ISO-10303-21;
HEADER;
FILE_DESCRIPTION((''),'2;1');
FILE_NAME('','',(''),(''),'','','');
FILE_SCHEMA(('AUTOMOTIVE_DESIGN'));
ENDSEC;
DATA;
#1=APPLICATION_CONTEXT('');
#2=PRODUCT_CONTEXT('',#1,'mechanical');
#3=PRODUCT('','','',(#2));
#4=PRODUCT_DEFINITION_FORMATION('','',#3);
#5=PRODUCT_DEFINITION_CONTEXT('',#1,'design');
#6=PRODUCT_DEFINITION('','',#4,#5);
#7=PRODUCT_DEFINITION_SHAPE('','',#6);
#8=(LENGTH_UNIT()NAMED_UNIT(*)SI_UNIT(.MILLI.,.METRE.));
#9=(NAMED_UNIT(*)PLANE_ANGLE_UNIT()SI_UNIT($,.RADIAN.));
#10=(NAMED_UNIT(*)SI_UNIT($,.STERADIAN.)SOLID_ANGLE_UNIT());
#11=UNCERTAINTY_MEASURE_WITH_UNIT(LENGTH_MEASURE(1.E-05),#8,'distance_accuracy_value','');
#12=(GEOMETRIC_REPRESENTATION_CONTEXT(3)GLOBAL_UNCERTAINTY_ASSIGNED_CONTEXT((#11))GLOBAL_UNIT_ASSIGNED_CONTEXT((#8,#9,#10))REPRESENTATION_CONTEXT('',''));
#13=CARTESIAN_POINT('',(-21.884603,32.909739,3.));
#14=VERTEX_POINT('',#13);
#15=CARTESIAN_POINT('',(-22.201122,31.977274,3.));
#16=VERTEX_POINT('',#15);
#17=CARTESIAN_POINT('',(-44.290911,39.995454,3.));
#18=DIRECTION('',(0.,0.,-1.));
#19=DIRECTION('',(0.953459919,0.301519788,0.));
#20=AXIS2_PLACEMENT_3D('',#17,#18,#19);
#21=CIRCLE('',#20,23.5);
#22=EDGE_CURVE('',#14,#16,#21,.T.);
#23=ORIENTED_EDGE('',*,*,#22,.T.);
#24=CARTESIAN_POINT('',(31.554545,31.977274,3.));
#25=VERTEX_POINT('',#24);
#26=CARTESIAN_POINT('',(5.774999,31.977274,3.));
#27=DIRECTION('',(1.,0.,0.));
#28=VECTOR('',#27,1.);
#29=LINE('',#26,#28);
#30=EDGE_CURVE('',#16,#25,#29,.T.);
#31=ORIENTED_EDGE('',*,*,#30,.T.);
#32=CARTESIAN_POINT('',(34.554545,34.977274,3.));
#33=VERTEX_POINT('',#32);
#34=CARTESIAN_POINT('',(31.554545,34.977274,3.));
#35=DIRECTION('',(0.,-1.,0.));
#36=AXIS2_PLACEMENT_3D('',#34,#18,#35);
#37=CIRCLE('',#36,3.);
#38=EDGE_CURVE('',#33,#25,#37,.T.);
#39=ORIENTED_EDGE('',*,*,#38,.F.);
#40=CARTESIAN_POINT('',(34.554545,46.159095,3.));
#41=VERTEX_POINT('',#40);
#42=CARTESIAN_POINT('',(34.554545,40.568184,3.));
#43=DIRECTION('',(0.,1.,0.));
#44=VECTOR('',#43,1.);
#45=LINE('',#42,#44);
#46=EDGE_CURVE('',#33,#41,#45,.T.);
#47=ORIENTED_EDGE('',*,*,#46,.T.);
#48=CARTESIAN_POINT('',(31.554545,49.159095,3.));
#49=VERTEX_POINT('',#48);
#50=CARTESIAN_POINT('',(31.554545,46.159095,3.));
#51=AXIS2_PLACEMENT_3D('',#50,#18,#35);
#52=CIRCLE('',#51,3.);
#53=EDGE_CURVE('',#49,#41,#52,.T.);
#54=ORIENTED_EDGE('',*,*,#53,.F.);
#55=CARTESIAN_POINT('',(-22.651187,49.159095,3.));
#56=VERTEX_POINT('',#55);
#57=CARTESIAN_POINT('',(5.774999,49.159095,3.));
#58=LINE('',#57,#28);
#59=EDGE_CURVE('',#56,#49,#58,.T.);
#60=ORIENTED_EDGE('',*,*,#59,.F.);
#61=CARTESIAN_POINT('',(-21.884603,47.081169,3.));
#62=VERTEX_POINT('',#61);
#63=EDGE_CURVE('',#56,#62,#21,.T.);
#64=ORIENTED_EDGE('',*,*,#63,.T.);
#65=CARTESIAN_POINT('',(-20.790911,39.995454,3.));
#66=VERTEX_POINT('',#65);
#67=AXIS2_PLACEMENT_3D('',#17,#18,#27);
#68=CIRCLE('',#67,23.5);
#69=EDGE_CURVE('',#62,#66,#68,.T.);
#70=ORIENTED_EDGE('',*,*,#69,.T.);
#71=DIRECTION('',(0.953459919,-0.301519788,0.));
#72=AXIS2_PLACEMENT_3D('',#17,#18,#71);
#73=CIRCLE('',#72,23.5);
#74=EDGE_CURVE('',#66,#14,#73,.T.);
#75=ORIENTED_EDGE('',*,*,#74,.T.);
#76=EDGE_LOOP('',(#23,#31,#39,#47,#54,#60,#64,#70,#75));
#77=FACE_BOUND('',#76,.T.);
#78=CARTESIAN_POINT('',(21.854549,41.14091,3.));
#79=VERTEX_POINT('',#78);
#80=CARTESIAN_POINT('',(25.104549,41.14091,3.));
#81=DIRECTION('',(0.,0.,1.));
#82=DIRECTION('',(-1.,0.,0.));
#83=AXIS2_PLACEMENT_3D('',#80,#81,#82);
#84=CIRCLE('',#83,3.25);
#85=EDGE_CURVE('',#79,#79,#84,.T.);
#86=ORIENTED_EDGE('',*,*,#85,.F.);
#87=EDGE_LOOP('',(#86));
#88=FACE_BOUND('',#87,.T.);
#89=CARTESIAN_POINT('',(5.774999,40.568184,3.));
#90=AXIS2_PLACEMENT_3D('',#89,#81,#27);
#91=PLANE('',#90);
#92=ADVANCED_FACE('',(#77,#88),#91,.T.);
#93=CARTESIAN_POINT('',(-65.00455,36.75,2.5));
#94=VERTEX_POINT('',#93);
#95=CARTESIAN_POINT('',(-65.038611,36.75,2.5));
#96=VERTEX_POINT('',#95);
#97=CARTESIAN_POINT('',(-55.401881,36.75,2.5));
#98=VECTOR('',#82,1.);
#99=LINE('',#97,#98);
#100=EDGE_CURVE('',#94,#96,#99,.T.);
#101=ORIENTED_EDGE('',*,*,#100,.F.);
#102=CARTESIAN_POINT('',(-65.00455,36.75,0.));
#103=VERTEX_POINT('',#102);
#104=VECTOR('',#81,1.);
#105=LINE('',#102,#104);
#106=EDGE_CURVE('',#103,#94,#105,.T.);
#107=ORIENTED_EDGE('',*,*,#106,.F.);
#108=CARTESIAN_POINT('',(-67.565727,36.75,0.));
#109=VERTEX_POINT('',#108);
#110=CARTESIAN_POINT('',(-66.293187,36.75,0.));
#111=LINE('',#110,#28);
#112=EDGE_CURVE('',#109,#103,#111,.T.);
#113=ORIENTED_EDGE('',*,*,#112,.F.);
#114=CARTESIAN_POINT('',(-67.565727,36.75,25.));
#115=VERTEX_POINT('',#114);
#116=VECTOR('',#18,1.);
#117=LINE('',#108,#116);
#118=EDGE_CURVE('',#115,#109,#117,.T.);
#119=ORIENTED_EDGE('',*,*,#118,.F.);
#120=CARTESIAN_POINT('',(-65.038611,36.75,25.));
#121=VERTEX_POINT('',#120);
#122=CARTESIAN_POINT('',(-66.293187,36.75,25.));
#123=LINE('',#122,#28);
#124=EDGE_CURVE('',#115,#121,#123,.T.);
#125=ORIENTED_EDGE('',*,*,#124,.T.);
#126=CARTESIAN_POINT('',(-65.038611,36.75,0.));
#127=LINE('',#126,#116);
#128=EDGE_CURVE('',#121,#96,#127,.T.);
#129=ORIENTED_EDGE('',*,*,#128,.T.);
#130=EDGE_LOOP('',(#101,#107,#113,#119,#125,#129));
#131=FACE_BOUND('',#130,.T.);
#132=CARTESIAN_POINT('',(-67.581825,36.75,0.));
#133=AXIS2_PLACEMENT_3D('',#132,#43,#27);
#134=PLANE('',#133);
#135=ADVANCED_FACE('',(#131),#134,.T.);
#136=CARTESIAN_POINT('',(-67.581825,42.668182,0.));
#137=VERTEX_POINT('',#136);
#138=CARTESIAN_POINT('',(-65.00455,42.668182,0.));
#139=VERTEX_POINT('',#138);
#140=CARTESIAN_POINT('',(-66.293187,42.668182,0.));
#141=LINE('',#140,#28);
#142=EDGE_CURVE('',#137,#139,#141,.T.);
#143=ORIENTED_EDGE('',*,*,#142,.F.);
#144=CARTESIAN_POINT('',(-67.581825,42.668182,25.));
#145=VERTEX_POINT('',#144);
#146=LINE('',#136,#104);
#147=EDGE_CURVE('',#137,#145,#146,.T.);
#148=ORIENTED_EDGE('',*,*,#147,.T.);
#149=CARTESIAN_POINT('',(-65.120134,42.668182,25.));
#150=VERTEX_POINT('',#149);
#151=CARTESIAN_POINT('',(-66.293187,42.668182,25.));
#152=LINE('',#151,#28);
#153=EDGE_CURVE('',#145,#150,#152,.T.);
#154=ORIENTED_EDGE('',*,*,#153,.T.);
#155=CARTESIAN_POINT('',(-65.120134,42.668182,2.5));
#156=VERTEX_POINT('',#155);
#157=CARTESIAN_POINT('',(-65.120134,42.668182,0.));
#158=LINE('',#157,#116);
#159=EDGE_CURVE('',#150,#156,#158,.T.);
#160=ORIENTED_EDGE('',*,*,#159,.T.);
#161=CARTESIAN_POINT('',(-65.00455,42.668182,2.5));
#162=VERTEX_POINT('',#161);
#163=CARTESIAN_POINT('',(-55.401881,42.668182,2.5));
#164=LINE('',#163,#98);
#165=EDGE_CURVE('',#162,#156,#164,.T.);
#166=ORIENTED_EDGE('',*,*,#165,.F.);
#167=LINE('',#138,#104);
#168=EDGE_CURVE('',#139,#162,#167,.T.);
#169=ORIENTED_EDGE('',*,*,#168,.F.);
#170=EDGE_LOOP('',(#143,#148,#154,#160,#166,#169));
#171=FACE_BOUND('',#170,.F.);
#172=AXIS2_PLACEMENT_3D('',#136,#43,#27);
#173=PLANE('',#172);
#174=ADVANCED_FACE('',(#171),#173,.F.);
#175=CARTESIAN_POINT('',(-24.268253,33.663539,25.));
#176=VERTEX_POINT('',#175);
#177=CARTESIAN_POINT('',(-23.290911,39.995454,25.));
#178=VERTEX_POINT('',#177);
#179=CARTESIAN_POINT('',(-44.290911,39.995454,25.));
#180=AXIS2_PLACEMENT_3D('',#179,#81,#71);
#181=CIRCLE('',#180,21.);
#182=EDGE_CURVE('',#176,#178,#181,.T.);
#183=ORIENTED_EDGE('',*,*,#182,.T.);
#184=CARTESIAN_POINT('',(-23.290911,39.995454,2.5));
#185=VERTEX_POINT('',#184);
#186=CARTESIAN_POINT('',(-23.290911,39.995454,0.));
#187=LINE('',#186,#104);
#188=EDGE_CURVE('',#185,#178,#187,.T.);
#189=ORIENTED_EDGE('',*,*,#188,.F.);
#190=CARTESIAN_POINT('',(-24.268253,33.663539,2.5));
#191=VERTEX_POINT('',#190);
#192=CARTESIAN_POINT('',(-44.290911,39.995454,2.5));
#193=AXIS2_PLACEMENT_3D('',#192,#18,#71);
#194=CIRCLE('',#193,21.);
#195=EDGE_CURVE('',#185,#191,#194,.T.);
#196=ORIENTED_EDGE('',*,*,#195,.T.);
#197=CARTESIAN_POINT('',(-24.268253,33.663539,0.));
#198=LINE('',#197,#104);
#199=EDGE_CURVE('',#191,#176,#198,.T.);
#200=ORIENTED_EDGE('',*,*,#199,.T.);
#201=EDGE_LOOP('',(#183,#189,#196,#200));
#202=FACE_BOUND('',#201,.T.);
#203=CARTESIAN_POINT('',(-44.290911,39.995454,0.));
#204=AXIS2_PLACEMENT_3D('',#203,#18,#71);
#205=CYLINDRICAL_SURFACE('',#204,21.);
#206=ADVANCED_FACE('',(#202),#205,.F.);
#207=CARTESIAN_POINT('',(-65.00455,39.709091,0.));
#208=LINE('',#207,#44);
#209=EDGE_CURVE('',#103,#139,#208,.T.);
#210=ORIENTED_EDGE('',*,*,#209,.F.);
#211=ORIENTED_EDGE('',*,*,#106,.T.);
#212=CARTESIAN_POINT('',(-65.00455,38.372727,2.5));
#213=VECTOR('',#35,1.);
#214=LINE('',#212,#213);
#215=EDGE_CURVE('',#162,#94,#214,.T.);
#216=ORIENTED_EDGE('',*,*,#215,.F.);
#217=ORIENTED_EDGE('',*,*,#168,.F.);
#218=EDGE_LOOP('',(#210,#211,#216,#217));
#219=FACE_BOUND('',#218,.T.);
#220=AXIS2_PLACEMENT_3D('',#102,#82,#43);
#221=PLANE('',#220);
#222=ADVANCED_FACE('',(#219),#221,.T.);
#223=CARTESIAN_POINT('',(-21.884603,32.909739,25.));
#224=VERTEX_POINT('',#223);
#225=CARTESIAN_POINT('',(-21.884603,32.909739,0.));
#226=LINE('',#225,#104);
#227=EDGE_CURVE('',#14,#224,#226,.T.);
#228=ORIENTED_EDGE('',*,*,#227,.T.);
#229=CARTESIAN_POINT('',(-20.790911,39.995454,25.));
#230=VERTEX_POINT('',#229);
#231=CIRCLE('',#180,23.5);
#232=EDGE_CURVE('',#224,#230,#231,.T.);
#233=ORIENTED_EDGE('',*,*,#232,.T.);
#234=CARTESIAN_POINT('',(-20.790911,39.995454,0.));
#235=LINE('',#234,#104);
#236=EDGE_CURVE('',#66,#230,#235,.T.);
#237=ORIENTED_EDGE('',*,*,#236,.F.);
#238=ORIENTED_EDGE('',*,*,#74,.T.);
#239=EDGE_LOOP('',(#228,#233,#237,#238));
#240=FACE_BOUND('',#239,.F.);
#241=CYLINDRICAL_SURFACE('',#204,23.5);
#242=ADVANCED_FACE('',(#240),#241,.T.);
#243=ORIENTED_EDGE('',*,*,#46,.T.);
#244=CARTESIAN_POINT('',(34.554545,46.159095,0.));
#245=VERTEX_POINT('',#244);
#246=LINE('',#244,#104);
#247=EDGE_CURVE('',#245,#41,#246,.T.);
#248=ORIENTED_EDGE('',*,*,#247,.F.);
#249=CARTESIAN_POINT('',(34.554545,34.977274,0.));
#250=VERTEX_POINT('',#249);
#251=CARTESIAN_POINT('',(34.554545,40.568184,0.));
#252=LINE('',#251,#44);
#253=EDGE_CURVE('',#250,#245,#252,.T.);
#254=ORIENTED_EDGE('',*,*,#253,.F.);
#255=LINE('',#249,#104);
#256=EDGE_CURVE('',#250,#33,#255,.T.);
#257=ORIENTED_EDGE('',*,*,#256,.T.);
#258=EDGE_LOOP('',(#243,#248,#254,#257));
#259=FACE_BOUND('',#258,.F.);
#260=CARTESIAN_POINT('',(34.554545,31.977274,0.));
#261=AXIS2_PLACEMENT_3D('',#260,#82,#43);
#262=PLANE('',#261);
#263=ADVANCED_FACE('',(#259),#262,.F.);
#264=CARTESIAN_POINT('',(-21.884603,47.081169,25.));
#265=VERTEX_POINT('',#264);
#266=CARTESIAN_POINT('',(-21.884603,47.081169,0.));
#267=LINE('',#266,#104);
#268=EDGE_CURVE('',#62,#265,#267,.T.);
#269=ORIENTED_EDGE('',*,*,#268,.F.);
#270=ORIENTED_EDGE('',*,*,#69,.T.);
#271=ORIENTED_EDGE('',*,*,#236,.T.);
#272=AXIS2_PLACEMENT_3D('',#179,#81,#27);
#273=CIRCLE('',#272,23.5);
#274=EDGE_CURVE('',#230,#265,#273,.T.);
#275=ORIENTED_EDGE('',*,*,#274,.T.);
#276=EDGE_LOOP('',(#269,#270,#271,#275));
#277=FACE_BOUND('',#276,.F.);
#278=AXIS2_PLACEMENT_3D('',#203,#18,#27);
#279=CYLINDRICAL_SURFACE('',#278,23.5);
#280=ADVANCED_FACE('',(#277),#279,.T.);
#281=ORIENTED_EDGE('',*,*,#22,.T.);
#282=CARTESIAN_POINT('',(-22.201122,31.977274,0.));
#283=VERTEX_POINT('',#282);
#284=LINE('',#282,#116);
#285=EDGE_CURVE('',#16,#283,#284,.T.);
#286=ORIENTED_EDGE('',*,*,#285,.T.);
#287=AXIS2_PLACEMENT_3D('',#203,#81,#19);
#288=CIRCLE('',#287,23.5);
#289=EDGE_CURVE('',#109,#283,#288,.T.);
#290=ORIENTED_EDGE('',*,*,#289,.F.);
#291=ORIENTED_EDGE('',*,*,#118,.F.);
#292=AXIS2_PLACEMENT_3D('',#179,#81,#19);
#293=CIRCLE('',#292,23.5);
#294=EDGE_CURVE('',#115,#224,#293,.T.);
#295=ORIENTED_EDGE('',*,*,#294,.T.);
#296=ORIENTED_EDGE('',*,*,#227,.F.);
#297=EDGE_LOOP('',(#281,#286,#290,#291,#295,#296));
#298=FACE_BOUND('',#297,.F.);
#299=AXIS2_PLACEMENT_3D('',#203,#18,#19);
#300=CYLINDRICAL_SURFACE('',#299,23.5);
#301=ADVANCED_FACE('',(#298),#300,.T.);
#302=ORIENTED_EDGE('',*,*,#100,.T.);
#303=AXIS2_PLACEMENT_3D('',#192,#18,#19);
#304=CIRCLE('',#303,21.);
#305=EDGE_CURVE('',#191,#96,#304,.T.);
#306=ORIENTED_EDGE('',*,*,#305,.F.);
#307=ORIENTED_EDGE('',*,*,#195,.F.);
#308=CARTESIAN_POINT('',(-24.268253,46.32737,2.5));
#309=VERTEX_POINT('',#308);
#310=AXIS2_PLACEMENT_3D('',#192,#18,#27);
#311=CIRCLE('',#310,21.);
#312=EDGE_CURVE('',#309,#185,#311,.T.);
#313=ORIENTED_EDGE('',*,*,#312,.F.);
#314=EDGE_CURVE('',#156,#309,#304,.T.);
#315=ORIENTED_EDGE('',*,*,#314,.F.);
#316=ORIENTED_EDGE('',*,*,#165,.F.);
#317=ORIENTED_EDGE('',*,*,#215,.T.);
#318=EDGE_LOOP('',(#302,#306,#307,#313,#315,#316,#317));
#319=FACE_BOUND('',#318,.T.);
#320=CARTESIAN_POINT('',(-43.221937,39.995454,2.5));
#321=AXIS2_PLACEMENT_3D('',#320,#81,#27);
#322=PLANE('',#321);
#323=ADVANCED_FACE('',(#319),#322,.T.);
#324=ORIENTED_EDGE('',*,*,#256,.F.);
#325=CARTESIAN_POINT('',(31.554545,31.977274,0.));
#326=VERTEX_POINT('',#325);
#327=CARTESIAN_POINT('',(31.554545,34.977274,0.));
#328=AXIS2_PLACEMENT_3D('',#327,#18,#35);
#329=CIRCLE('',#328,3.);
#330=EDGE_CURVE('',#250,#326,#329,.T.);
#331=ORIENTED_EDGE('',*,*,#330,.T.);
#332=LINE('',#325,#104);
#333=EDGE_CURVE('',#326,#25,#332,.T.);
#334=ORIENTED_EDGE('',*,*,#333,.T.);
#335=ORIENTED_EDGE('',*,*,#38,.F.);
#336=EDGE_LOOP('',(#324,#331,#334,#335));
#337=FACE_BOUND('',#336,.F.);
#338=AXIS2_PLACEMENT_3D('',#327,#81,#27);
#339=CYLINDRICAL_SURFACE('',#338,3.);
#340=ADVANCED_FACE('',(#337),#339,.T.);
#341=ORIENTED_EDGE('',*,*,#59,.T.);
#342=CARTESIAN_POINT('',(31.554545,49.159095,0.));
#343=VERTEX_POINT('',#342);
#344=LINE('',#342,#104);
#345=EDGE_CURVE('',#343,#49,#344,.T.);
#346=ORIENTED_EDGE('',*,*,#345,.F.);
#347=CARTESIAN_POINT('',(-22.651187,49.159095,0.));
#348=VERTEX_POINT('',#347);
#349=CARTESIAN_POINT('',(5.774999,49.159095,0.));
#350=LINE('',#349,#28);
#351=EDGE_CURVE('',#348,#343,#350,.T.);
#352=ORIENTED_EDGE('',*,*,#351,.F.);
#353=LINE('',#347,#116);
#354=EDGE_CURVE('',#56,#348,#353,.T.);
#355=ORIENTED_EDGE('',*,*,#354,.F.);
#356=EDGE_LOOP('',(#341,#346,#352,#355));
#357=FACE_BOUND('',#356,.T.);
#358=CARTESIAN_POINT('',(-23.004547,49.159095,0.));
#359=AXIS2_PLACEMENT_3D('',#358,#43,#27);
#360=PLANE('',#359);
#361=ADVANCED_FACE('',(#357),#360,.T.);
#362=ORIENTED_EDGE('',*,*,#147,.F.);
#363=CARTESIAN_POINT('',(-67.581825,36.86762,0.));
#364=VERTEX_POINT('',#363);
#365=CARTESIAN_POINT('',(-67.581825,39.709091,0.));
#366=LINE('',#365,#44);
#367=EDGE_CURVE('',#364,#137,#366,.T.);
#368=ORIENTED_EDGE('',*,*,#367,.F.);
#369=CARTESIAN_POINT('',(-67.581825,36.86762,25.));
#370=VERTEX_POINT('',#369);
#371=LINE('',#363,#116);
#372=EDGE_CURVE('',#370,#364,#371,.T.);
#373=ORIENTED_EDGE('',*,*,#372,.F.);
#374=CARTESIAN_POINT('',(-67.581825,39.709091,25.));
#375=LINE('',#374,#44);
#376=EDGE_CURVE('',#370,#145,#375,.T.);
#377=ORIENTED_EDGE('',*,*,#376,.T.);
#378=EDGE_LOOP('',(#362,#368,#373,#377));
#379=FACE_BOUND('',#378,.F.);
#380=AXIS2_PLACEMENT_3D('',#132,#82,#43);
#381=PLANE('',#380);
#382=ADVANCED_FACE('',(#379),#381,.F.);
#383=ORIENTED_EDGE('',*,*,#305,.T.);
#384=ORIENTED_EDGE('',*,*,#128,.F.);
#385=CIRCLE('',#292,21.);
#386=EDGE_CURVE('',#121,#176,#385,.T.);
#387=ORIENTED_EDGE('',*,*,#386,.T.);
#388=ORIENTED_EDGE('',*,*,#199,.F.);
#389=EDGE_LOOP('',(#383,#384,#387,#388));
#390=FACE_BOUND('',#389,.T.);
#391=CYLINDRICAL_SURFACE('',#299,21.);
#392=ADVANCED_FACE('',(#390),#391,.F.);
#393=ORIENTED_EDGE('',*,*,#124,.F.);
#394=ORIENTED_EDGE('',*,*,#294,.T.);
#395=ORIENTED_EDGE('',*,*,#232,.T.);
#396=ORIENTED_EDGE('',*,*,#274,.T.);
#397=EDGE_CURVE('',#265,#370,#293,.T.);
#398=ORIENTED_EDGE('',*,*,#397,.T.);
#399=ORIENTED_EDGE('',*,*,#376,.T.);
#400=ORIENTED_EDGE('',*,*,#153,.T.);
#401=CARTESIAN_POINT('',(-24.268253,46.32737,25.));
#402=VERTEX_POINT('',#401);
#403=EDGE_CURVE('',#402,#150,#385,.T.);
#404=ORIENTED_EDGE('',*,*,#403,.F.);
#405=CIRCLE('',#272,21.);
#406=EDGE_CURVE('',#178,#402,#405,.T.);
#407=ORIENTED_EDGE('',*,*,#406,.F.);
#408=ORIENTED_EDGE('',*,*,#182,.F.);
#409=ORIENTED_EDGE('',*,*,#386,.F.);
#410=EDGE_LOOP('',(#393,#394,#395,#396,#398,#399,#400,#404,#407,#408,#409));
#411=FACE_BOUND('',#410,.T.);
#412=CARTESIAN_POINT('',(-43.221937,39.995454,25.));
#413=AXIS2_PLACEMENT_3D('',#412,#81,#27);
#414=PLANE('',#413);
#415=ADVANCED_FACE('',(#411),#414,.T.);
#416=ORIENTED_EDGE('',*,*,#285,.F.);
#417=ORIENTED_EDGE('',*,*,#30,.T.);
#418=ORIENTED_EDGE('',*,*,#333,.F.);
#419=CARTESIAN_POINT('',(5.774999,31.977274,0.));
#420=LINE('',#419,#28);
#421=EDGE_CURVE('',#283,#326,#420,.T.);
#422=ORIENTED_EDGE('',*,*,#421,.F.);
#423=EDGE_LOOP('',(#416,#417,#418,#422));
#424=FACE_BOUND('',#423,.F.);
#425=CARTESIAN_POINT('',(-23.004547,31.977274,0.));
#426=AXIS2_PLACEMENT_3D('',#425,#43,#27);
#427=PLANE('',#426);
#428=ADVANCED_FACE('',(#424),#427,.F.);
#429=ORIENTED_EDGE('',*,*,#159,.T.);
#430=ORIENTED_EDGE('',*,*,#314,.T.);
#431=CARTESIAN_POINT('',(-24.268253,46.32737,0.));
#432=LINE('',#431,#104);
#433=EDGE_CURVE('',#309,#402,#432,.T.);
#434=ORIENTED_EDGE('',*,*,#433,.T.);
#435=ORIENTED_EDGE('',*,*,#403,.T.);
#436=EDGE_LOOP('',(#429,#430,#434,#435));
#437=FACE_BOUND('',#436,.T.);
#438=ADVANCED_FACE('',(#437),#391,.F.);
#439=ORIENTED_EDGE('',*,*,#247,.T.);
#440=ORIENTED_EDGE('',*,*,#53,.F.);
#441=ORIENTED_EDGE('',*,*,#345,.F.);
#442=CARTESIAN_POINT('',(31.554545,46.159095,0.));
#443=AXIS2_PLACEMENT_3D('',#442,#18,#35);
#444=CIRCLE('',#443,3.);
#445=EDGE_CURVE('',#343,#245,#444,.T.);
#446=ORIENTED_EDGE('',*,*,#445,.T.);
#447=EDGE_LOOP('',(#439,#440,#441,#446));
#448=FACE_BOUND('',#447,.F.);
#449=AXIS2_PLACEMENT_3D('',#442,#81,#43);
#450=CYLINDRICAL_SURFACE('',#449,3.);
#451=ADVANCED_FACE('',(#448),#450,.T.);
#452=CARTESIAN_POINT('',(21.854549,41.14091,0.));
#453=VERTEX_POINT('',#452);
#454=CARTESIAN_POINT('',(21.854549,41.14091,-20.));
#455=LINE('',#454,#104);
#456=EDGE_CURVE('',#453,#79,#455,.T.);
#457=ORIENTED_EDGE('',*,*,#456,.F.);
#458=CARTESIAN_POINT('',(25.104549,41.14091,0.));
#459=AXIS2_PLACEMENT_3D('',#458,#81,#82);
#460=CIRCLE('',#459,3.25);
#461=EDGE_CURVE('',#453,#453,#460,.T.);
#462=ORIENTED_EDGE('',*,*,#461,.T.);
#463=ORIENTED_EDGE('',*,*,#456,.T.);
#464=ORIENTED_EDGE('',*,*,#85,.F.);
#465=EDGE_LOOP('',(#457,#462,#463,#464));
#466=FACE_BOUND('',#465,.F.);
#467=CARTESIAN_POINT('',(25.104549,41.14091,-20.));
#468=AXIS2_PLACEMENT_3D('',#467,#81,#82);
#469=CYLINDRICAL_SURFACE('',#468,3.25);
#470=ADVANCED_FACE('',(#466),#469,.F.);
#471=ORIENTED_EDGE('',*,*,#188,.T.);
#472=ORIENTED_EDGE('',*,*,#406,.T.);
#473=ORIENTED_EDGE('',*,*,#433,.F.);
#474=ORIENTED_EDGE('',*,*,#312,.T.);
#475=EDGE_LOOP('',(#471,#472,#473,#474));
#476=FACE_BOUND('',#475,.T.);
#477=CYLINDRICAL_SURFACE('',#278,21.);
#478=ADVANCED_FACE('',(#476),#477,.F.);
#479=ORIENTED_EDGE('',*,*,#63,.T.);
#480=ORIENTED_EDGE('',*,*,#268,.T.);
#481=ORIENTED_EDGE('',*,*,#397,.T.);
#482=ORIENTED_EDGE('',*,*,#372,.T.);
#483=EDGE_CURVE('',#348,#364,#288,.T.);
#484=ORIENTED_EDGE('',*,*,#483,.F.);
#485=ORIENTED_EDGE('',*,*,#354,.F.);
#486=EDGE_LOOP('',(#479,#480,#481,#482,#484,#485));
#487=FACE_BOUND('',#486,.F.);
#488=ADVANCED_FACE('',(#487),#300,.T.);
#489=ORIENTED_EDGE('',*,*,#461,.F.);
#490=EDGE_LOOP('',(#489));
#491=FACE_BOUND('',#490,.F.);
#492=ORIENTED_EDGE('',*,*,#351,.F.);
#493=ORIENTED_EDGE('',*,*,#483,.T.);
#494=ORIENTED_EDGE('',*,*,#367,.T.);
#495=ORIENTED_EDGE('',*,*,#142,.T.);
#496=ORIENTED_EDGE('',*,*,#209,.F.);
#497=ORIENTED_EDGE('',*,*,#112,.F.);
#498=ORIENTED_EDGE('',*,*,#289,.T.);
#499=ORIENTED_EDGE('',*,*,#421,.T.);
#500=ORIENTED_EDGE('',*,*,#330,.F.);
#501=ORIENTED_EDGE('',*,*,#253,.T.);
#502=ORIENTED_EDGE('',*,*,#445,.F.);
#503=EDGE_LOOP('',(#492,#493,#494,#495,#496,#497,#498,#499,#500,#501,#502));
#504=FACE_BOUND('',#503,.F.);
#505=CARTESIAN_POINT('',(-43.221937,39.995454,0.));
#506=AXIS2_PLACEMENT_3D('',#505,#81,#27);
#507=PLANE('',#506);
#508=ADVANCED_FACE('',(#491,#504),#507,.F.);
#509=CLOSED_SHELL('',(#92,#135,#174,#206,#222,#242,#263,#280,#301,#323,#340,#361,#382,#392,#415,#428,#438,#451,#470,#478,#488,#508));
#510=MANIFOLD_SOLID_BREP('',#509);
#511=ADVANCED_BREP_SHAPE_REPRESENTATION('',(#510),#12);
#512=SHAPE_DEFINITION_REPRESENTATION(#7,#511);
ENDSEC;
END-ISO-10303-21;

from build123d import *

# Parameters (mm, degrees)
F1_DEPTH = 25
F2_T     = -2.5
F3_W     = 57.5590915978
F3_H     = 17.1818211675
F4_DEPTH = 3
F6_D     = 6.5
F6_DEPTH = 20
F6_TIP   = 1.9527970118
F3_W_2   = 2.5772750378
F3_H_2   = 5.9181824327
F7_DEPTH = 25
F8_R     = 3


with BuildPart() as f1:
    # F0 (on Top) → F1 (new body)
    with BuildSketch(Plane.XY):
        with BuildLine():
            ThreePointArc((-21.8846033079, 32.9097392278), (-21.0659438034, 36.4106418656), (-20.7909114063, 39.9954542518))
            ThreePointArc((-20.7909114063, 39.9954542518), (-21.0659438034, 43.580266638), (-21.8846033079, 47.0811692758))
            ThreePointArc((-21.8846033079, 47.0811692758), (-67.7909114063, 39.9954542518), (-21.8846033079, 32.9097392278))
        make_face()
    extrude(amount=F1_DEPTH)

    # F2
    f2_openings = [f1.faces().sort_by_distance(p)[0] for p in [
        (-44.290911, 39.995454, 25),
    ]]
    offset(amount=F2_T, openings=f2_openings)

    # F3 (on Top) → F4 (join)
    with BuildSketch(Plane.XY):
        with Locations((5.7749990374, 40.5681841075)):
            Rectangle(F3_W, F3_H)
    extrude(amount=F4_DEPTH)

    # F6
    with Locations(Plane(origin=(0, 0, 0), x_dir=(1, 0, 0), z_dir=(0, 0, -1))):
        with Locations((25.1045487821, -41.140910238)):
            Hole(F6_D / 2, depth=F6_DEPTH)
            with Locations((0, 0, -(F6_DEPTH + F6_TIP / 2))):  # 118° drill point
                Cone(0, F6_D / 2, F6_TIP, mode=Mode.SUBTRACT)

    # F3 (on Top) → F7 (cut)
    with BuildSketch(Plane.XY):
        with Locations((-66.2931874394, 39.7090911865)):
            Rectangle(F3_W_2, F3_H_2)
    extrude(amount=F7_DEPTH, mode=Mode.SUBTRACT)

    # F8
    f8_edges = [f1.edges().sort_by_distance(p)[0] for p in [
        (34.554545, 31.977274, 1.5),
        (34.554545, 49.159095, 1.5),
    ]]
    fillet(f8_edges, radius=F8_R)


solid = f1.part
